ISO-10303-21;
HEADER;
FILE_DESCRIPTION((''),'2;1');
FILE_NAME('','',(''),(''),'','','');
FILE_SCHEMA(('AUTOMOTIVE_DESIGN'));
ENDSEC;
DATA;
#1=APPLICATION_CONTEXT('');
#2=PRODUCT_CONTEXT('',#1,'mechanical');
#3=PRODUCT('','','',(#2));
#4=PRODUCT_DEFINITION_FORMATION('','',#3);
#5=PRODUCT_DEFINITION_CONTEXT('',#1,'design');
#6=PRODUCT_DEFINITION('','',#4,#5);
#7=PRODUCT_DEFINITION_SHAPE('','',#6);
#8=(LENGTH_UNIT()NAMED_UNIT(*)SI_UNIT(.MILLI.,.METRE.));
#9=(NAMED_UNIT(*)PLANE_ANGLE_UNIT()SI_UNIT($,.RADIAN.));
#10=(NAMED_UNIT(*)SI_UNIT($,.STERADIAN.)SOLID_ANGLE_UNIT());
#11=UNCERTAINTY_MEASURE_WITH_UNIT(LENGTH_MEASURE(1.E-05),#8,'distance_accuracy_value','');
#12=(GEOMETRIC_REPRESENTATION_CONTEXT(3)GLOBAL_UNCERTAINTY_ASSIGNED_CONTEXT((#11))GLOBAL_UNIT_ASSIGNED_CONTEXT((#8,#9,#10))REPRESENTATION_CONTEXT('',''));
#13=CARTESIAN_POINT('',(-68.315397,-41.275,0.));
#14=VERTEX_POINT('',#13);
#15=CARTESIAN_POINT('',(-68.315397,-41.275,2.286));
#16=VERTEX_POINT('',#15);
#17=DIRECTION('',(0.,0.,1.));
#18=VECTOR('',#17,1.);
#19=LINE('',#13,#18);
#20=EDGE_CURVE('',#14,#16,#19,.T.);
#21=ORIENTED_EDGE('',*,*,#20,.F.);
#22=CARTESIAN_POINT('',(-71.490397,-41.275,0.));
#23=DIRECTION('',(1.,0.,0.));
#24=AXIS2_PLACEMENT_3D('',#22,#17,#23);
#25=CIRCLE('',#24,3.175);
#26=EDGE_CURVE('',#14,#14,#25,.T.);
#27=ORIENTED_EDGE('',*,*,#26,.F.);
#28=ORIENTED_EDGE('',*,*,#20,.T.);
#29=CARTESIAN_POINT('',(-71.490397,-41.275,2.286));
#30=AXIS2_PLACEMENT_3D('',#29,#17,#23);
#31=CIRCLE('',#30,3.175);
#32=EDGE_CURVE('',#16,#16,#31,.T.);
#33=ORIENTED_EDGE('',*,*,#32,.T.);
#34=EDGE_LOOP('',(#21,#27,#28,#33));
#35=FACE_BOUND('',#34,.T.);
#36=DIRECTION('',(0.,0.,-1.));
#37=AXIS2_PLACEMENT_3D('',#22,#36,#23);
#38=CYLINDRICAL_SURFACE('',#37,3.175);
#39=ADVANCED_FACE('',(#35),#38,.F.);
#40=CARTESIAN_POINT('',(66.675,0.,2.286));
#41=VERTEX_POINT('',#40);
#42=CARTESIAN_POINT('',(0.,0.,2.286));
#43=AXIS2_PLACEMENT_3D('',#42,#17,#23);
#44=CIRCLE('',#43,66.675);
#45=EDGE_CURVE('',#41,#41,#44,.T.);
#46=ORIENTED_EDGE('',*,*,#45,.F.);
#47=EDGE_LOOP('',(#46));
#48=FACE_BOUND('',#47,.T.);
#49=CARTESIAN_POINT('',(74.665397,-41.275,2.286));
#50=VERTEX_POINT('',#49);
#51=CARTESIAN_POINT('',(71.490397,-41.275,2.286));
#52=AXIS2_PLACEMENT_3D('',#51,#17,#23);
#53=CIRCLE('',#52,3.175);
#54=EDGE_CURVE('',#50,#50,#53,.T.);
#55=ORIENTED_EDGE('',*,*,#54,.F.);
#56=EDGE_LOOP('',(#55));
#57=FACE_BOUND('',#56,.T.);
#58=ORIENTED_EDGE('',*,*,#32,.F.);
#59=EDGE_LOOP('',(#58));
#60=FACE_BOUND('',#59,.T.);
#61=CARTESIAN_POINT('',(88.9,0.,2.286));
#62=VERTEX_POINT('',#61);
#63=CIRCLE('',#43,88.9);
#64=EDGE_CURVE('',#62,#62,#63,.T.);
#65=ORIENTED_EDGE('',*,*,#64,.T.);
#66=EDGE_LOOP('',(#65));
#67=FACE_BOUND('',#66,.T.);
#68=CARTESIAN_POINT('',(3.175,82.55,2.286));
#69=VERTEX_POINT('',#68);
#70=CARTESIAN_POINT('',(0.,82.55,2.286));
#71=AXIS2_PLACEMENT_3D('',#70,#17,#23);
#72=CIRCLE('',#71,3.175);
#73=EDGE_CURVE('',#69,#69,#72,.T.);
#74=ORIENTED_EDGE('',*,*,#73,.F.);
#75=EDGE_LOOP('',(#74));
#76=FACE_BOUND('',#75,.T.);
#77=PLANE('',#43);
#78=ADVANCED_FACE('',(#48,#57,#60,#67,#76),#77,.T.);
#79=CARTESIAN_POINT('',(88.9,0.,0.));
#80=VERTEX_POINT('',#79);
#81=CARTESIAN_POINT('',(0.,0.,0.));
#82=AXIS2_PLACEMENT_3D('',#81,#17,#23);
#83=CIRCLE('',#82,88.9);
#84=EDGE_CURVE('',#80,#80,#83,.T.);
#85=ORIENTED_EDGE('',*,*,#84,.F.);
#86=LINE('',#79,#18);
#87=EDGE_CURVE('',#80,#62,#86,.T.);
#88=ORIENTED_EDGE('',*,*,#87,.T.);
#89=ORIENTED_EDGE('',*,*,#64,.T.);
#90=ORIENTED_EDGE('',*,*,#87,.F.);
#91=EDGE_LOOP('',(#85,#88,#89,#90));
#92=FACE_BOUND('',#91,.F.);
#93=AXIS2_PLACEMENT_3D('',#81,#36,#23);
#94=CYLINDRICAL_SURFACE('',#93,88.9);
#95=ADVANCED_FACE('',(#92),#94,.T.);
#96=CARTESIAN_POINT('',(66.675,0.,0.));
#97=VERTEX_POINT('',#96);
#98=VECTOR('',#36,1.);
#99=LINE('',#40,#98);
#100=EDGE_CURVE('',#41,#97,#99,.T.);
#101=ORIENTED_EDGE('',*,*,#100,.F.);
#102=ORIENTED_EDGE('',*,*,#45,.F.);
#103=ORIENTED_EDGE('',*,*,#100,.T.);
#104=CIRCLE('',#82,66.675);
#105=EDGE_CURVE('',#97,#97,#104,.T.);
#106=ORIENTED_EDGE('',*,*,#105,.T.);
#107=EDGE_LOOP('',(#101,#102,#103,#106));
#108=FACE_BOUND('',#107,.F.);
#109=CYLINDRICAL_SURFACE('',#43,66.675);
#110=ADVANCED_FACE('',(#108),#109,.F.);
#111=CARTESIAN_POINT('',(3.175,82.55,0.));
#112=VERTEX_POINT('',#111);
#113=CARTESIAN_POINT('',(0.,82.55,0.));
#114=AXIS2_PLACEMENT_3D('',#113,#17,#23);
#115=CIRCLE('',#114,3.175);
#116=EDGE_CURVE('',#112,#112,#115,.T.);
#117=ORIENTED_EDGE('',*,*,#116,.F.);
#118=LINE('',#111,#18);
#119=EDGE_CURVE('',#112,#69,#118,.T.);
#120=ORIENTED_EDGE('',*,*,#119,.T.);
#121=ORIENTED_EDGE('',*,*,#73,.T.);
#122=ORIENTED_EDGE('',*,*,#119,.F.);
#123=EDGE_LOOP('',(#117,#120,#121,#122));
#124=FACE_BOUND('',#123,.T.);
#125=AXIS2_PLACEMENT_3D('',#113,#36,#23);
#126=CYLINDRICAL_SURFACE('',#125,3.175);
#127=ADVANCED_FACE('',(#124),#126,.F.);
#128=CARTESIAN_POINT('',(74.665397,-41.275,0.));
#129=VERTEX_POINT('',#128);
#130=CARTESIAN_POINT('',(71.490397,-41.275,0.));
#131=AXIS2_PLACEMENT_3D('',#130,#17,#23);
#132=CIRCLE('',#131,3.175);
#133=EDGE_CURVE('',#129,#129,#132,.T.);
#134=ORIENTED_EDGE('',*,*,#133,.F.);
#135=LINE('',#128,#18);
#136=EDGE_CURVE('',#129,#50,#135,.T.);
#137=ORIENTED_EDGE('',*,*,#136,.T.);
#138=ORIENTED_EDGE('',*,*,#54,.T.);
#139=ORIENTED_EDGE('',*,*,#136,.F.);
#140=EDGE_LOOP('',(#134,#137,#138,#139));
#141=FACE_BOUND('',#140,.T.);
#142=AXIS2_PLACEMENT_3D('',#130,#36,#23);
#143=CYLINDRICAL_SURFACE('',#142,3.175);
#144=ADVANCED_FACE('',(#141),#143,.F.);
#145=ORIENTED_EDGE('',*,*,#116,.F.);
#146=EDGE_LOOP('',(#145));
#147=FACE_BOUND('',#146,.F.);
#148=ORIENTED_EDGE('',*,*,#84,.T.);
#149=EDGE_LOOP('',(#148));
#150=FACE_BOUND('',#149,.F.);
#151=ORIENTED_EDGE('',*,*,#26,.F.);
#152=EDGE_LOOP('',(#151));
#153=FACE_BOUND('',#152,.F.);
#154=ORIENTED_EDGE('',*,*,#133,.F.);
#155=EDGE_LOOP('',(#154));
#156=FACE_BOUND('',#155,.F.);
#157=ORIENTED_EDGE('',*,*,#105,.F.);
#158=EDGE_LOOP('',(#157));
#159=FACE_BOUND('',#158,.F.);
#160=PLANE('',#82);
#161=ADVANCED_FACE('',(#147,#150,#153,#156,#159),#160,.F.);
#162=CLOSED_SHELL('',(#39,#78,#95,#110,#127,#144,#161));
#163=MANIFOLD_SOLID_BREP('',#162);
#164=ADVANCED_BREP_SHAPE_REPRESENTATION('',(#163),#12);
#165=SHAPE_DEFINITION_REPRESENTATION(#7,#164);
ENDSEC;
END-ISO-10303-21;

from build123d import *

# Parameters (mm, degrees)
F0_R     = 88.9
F0_R_2   = 3.175
F1_DEPTH = 2.286
F2_R     = 66.675
F3_DEPTH = 25.4


with BuildPart() as f1:
    # F0 (on Top) → F1 (new body)
    with BuildSketch(Plane.XY):
        Circle(F0_R)
        with Locations((-71.490397, -41.275)):
            Circle(F0_R_2, mode=Mode.SUBTRACT)
        with Locations((71.490397, -41.275)):
            Circle(F0_R_2, mode=Mode.SUBTRACT)
        with Locations((0, 82.55)):
            Circle(F0_R_2, mode=Mode.SUBTRACT)
    extrude(amount=F1_DEPTH)

    # F2 (on face) → F3 (cut)
    with BuildSketch(Plane.XY.offset(2.286)):
        Circle(F2_R)
    extrude(amount=-F3_DEPTH, mode=Mode.SUBTRACT)


solid = f1.part
